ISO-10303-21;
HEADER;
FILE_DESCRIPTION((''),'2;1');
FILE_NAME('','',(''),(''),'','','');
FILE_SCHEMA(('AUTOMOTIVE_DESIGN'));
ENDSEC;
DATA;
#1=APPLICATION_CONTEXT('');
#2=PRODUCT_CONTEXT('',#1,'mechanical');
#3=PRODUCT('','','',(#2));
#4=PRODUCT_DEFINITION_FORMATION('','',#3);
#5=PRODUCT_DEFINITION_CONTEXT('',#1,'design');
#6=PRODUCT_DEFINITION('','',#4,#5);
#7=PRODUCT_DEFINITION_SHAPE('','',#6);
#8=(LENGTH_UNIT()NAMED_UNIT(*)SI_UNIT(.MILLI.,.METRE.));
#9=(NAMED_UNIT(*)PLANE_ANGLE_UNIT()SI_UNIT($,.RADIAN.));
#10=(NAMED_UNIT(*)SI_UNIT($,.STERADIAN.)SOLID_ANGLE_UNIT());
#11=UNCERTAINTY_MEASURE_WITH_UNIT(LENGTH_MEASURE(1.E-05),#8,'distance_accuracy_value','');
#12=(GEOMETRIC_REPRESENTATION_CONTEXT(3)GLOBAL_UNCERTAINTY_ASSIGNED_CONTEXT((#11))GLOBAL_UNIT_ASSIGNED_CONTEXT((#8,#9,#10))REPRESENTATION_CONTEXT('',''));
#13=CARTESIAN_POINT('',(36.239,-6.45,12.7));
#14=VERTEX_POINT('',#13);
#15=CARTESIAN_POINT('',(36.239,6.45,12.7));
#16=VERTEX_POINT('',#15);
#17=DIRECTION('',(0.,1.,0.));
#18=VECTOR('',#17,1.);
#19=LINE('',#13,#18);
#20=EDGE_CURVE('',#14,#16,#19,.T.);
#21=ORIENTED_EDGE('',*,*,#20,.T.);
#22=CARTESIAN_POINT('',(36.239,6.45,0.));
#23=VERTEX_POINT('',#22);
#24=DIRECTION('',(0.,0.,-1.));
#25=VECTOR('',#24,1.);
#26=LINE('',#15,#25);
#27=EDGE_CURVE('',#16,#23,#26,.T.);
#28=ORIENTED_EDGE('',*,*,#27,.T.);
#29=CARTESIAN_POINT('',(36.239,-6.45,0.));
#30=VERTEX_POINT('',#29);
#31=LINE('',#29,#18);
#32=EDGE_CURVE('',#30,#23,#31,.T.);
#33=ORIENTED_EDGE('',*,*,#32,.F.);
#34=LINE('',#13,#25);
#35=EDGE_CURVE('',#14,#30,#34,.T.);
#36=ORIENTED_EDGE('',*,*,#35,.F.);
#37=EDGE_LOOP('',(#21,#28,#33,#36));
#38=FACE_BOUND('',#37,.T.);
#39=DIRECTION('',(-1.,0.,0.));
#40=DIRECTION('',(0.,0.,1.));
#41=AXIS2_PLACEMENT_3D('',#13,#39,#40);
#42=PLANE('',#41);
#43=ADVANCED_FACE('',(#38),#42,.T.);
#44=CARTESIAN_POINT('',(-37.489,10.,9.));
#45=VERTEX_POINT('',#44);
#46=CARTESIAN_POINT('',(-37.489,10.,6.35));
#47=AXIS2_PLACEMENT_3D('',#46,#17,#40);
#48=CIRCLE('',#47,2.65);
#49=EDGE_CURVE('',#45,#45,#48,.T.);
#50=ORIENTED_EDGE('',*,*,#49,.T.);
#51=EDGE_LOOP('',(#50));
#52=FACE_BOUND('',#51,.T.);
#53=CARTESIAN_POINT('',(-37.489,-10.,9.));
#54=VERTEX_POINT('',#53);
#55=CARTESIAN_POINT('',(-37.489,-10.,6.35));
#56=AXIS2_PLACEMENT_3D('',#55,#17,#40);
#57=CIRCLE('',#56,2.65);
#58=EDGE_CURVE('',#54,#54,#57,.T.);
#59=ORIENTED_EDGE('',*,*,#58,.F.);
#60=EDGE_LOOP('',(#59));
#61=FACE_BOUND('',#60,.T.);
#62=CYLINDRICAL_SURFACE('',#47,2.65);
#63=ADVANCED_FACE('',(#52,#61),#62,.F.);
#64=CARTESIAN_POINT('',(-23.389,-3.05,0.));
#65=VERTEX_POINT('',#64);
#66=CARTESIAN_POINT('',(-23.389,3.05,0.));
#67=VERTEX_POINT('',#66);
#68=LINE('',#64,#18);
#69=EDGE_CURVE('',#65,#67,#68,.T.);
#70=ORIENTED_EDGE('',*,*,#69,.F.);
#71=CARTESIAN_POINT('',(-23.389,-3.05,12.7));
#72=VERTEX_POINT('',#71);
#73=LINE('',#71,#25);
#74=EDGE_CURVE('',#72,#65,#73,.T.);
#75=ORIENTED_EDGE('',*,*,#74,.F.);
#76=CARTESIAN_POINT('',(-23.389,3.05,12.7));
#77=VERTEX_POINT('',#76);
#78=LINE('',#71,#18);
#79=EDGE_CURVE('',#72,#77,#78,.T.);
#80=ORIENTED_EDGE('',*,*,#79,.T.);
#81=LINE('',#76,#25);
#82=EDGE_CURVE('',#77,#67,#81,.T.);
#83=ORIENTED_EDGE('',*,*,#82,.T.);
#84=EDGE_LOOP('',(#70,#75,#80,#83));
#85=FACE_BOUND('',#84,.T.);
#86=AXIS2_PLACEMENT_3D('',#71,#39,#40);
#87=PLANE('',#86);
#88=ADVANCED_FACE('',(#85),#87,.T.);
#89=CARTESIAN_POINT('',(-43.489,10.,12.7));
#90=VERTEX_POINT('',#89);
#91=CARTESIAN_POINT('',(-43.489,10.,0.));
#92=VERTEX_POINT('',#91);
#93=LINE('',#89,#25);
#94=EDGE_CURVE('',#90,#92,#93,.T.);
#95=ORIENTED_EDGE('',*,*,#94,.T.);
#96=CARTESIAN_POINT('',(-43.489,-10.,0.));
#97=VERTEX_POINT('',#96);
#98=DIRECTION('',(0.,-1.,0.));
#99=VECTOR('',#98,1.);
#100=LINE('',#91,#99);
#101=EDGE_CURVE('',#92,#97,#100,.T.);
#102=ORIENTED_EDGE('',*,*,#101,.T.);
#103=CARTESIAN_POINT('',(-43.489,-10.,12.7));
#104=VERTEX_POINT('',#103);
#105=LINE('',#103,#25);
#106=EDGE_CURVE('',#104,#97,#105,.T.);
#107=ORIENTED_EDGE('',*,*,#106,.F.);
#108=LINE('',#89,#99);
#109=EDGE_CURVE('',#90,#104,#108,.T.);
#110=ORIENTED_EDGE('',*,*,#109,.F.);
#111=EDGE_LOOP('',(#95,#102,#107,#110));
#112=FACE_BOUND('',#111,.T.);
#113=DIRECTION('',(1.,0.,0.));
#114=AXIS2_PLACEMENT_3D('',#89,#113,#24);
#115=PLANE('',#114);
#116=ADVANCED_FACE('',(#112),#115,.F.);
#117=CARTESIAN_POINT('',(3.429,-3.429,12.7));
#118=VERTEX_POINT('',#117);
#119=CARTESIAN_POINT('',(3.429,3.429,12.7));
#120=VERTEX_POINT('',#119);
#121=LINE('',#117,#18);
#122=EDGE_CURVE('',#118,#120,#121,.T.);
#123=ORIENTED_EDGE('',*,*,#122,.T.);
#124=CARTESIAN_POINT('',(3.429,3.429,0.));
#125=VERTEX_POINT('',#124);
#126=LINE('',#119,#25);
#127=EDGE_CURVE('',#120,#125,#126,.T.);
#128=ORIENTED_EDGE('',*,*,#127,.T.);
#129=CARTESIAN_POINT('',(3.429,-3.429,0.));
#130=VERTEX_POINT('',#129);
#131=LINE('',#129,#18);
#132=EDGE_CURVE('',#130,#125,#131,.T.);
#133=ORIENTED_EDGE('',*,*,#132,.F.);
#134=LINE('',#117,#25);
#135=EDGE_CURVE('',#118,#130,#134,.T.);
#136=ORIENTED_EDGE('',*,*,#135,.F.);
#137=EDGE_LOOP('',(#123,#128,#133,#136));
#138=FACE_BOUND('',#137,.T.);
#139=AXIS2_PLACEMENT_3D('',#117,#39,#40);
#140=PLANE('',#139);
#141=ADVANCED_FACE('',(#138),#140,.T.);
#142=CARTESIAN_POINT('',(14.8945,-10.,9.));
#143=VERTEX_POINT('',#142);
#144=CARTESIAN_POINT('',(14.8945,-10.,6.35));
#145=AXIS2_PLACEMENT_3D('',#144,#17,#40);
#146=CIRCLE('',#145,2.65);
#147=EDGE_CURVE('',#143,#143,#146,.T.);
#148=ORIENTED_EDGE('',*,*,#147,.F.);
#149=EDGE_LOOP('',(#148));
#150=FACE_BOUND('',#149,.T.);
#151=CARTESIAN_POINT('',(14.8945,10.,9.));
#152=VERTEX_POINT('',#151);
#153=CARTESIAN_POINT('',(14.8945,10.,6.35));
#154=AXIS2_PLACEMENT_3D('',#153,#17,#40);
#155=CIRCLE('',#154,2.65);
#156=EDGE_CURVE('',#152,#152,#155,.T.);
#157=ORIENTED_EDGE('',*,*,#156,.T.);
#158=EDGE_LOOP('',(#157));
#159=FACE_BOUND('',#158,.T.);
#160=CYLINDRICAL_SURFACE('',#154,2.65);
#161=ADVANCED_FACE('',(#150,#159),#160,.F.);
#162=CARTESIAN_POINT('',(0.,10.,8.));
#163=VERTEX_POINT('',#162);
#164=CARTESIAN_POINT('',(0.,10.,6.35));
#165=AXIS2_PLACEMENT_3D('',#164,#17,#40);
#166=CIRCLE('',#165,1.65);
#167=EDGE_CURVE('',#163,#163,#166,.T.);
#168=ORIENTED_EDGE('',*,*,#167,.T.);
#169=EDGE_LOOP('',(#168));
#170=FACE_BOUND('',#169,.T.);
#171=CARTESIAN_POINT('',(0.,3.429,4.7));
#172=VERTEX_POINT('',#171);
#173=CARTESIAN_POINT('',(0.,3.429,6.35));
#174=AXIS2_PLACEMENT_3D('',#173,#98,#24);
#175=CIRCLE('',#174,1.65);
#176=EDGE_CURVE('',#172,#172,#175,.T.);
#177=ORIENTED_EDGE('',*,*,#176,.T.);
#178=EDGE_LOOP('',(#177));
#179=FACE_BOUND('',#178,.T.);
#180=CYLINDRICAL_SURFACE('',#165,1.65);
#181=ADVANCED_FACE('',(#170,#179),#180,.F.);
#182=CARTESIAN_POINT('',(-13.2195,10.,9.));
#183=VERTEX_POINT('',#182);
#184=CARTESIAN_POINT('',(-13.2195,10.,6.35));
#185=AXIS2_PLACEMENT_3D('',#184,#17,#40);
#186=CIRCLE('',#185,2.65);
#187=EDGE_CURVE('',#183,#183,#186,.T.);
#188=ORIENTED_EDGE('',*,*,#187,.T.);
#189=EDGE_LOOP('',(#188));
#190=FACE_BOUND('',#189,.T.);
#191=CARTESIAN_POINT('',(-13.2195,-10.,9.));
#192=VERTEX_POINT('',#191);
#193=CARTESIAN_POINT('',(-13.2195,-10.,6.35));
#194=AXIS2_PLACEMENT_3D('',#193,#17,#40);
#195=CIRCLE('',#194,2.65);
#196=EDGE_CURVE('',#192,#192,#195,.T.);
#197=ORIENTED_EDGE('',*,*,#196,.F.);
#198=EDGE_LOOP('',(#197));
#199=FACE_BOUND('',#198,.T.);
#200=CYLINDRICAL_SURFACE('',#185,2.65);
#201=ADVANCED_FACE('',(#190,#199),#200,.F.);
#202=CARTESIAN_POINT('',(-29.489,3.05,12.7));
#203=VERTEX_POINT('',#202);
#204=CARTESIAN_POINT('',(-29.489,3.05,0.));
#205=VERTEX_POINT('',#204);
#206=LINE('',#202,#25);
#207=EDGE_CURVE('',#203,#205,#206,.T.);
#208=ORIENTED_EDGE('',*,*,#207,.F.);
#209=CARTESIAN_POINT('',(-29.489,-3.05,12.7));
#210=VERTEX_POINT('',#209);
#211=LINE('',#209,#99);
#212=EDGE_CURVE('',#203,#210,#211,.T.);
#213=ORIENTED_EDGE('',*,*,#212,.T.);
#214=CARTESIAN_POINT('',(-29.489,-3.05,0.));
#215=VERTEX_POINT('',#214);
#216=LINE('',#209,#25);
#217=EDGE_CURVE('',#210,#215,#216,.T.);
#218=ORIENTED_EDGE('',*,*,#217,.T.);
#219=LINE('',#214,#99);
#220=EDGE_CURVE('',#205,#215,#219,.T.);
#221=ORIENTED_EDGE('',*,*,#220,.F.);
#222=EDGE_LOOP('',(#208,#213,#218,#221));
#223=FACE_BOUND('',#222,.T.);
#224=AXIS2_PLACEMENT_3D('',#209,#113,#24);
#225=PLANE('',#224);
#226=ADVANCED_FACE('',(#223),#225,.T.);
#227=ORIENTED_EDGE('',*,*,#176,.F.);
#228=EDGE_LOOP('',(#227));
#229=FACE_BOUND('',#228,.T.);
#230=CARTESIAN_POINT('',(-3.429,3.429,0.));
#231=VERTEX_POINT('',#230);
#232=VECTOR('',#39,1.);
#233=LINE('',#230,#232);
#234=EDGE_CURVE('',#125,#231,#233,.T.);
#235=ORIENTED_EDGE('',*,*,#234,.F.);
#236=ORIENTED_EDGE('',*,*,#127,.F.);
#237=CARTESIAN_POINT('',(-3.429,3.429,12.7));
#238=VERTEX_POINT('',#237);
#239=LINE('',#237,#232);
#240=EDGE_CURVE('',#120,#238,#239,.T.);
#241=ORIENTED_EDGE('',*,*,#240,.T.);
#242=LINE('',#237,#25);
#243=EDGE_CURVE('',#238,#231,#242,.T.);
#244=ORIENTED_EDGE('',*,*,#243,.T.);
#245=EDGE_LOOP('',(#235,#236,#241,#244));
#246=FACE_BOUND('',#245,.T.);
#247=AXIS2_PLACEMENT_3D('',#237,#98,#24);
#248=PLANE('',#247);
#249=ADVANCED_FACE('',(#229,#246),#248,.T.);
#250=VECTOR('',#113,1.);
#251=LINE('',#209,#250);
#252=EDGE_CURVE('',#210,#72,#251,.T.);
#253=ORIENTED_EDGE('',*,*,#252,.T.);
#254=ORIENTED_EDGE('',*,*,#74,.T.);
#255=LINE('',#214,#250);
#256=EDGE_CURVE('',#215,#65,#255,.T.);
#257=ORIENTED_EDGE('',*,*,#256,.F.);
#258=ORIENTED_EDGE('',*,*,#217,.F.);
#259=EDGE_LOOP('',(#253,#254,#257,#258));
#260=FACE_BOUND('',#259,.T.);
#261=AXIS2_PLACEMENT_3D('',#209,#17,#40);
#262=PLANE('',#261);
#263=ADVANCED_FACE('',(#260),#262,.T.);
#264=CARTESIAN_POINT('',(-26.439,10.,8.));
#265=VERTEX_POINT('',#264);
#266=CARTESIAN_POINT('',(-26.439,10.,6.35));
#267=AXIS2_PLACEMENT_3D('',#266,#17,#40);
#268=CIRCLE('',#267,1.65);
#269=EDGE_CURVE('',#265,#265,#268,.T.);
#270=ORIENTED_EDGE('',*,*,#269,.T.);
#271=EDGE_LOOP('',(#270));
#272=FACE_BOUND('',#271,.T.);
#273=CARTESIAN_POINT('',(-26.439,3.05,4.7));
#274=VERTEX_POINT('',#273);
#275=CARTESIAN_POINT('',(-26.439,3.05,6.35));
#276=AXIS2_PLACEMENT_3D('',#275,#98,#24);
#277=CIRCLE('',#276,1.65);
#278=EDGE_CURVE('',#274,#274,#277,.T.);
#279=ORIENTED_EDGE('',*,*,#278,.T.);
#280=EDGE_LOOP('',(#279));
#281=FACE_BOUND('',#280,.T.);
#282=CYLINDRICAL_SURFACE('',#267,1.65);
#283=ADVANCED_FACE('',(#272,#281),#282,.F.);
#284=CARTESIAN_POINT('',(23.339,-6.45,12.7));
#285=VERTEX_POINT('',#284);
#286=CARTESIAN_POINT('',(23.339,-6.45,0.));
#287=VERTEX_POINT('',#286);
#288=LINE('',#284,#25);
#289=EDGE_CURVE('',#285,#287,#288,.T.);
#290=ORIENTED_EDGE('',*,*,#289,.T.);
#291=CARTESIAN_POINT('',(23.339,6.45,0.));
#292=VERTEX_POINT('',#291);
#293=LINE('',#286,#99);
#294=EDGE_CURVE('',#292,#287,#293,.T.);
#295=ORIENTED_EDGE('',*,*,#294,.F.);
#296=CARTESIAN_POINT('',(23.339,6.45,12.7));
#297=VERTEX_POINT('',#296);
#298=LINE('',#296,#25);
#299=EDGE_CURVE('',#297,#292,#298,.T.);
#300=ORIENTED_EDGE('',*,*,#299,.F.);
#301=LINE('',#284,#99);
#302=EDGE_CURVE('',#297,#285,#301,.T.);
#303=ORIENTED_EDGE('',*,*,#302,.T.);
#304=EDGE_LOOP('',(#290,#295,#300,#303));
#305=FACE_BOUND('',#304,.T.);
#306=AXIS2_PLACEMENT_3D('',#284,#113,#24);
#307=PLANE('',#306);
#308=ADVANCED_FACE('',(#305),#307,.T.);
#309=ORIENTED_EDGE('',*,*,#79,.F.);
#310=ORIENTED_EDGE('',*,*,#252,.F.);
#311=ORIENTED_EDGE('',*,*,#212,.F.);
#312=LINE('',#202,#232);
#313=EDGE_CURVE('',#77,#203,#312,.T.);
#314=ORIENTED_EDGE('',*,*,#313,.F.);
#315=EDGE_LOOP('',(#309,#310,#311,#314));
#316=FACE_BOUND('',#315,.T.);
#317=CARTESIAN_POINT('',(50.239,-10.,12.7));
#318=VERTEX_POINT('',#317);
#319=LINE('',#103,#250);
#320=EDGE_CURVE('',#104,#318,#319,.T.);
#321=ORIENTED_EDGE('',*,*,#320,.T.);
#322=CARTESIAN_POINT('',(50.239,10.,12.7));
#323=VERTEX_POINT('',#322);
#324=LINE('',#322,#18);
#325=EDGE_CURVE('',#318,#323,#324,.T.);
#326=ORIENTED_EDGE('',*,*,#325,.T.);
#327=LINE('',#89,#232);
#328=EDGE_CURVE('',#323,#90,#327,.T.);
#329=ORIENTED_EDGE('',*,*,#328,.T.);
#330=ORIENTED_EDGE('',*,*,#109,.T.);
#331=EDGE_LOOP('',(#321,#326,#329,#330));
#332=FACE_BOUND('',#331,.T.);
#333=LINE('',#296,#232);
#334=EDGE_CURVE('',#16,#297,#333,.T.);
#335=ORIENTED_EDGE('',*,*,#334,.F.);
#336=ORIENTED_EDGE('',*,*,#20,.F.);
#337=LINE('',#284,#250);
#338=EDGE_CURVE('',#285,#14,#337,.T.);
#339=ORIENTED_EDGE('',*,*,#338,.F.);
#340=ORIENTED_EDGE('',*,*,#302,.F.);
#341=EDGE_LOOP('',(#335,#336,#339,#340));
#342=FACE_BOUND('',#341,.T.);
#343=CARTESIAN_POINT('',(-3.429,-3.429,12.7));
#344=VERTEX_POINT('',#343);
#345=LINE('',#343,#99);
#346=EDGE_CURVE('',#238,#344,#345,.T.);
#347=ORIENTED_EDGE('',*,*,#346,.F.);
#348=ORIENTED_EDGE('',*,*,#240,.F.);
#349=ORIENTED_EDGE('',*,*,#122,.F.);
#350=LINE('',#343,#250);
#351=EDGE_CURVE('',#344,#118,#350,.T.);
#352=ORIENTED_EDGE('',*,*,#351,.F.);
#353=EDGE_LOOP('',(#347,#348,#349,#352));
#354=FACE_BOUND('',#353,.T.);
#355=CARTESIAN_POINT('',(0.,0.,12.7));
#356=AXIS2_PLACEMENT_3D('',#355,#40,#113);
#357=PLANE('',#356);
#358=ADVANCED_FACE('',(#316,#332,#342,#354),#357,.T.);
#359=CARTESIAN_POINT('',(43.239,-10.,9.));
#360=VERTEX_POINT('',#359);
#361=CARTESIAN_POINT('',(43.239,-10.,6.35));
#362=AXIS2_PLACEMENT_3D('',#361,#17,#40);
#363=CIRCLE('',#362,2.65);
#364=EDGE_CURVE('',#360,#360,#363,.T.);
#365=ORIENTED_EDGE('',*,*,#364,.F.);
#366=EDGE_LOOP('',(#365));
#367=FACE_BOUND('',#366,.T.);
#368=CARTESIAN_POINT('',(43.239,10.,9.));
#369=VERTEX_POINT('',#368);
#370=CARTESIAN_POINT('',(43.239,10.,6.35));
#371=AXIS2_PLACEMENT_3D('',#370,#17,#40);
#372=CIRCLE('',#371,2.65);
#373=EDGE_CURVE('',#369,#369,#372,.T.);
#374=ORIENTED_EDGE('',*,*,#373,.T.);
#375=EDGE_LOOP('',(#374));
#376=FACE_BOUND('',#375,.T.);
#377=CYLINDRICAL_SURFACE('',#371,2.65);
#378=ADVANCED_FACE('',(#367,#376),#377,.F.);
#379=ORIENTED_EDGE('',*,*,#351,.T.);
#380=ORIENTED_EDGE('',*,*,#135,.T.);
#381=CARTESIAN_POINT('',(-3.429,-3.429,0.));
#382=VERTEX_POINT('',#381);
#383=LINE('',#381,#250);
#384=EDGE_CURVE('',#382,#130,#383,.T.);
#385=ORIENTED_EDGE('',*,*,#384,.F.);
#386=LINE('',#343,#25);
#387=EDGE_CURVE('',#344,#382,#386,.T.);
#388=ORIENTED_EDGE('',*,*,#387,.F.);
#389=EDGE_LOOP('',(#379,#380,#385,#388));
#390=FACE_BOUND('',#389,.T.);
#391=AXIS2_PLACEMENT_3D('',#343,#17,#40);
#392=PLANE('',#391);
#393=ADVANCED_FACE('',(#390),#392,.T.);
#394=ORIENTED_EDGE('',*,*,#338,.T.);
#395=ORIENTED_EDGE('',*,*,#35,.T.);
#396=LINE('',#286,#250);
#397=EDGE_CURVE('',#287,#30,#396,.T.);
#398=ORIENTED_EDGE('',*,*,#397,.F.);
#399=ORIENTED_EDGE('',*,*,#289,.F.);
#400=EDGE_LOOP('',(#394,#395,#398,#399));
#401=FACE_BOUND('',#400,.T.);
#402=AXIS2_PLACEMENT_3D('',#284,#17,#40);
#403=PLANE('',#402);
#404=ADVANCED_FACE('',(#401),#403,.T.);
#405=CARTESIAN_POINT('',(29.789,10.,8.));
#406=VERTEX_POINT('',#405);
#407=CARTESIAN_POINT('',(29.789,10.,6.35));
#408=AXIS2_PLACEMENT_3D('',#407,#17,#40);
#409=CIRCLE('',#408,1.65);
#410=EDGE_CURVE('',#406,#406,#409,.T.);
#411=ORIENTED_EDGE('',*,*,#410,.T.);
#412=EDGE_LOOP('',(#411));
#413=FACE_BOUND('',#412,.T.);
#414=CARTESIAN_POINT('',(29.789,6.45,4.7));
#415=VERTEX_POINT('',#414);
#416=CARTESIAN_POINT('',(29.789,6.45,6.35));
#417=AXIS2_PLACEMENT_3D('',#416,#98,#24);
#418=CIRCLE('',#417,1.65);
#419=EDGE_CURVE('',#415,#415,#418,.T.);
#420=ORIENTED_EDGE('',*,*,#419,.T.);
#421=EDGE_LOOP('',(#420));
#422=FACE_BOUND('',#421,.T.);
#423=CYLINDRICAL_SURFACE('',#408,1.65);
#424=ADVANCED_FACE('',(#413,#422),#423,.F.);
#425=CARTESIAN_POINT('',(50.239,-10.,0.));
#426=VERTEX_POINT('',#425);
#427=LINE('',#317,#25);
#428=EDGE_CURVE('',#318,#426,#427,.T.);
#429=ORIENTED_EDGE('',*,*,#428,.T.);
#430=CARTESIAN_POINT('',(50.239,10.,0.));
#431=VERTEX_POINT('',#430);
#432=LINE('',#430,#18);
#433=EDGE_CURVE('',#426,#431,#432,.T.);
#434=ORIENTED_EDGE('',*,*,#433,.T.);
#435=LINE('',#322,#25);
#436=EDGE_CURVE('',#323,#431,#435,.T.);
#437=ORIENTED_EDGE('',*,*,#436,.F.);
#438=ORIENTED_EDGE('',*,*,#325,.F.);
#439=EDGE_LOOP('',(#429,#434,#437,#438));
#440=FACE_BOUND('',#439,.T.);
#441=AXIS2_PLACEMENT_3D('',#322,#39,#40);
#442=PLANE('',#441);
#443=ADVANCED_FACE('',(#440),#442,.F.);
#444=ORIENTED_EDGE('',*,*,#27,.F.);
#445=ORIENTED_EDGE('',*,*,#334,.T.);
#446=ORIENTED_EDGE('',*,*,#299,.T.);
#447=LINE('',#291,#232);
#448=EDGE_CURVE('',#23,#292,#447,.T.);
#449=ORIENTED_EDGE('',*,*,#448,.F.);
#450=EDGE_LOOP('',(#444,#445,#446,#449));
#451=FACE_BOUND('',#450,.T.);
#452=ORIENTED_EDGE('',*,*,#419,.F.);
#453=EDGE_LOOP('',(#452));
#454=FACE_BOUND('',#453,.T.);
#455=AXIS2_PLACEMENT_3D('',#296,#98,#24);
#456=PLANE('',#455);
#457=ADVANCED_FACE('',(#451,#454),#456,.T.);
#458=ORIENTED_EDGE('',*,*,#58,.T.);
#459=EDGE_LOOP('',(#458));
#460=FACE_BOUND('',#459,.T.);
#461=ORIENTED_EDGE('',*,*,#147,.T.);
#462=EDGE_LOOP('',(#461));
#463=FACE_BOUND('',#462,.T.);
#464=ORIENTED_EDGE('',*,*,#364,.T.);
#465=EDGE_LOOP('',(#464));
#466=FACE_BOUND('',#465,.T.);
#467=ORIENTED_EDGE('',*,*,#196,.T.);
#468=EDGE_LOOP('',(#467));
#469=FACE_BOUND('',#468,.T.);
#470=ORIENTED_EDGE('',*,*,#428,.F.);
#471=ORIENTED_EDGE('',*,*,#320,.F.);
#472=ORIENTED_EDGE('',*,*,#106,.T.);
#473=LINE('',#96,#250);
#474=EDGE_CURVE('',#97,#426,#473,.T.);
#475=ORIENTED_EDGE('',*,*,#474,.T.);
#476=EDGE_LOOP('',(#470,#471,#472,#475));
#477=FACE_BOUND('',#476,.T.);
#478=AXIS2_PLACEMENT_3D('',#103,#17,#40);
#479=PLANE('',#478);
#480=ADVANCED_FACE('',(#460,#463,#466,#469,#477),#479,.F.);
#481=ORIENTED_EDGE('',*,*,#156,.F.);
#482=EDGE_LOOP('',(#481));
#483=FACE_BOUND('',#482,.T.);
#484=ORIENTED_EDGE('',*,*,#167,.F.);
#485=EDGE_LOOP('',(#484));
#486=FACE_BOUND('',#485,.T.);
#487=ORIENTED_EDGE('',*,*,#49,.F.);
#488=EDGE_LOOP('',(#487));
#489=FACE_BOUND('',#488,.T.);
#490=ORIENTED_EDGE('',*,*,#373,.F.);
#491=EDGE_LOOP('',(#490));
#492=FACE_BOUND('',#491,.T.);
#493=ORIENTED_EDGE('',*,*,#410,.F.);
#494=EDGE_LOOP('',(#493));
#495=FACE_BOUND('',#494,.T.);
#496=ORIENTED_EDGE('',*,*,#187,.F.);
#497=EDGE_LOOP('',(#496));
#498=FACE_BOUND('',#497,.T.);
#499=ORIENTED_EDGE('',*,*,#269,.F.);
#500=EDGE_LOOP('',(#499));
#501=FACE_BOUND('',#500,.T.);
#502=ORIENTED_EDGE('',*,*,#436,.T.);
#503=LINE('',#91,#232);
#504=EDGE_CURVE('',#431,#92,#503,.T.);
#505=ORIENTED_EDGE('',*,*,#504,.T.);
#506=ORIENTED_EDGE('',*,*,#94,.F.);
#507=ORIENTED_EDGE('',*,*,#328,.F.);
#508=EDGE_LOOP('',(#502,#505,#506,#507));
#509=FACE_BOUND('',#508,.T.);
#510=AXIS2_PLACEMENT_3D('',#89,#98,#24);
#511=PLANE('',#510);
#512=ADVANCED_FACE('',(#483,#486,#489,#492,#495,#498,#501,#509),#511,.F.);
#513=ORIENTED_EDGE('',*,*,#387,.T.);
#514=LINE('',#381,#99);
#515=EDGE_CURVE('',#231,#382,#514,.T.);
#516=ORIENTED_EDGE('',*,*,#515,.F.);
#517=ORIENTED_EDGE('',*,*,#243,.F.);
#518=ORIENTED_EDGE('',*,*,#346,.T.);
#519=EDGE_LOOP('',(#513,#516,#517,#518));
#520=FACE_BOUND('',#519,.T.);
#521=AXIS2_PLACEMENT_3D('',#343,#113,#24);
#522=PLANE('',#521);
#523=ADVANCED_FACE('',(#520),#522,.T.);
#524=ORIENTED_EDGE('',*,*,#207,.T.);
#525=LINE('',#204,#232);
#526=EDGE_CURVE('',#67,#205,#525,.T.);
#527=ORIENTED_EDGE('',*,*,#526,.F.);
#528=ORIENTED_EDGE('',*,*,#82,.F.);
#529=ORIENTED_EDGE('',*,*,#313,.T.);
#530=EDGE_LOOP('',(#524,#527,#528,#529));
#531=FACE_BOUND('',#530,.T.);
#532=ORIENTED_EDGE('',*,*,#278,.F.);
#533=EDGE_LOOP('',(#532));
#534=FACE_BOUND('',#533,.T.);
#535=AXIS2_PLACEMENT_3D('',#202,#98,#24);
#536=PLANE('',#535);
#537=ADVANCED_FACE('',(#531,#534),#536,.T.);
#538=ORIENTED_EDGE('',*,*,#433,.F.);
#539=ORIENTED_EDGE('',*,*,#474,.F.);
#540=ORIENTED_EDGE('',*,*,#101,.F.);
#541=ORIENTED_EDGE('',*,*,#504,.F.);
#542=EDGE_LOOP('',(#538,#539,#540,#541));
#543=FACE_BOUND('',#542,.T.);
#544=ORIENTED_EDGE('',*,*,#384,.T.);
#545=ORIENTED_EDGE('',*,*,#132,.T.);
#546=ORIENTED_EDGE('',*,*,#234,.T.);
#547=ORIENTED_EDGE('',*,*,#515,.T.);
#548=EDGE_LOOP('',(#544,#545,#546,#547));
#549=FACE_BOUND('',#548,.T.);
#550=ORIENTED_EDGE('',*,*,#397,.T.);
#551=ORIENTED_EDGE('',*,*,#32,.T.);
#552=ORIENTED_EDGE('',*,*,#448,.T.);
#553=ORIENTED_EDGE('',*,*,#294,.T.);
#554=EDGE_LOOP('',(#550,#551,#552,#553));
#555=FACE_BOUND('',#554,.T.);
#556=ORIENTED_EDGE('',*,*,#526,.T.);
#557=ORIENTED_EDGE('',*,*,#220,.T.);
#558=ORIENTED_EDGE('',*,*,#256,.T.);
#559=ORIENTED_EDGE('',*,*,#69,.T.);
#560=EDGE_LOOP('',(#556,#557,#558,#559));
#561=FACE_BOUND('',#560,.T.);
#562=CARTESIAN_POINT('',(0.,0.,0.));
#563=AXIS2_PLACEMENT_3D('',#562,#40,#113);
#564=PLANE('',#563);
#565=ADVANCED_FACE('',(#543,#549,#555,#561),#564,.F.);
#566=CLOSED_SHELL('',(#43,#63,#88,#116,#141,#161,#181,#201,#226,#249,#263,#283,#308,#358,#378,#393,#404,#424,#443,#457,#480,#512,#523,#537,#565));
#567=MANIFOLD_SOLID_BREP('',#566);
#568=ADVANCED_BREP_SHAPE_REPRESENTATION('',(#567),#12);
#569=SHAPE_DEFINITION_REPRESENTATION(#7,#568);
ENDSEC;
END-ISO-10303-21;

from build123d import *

# Parameters (mm, degrees)
SKETCH1_W                       = 93.728
SKETCH1_H                       = 20
SKETCH1_W_2                     = 6.1
SKETCH1_H_2                     = 6.1
SKETCH1_W_3                     = 6.858
SKETCH1_H_3                     = 6.858
SKETCH1_W_4                     = 12.9
SKETCH1_H_4                     = 12.9
BOSS_EXTRUDE1_DEPTH             = 12.7
TAP_DRILL_FOR_M4X0_7_TAP1_D     = 3.3
TAP_DRILL_FOR_M4X0_7_TAP1_DEPTH = 6.95
M5_CLEARANCE_HOLE1_D            = 5.3


with BuildPart() as part:
    # Sketch1 → Boss-Extrude1 (new body)
    with BuildSketch(Plane.XY):
        with Locations((3.375, 0)):
            Rectangle(SKETCH1_W, SKETCH1_H)
        with Locations((-26.439, 0)):
            Rectangle(SKETCH1_W_2, SKETCH1_H_2, mode=Mode.SUBTRACT)
        Rectangle(SKETCH1_W_3, SKETCH1_H_3, mode=Mode.SUBTRACT)
        with Locations((29.789, 0)):
            Rectangle(SKETCH1_W_4, SKETCH1_H_4, mode=Mode.SUBTRACT)
    extrude(amount=BOSS_EXTRUDE1_DEPTH)

    # Tap Drill for M4x0.7 Tap1
    with Locations(Plane(origin=(-26.439, 10, 6.35), x_dir=(0, 0, 1), z_dir=(0, 1, 0))):
        with Locations((0, 0), (0, 26.439), (0, 56.228)):
            Hole(TAP_DRILL_FOR_M4X0_7_TAP1_D / 2, depth=TAP_DRILL_FOR_M4X0_7_TAP1_DEPTH)

    # M5 Clearance Hole1 (through all)
    with Locations(Plane(origin=(-37.489, 10, 6.35), x_dir=(0, 0, 1), z_dir=(0, 1, 0))):
        with Locations((0, 0), (0, 24.2695), (0, 52.3835), (0, 80.728)):
            Hole(M5_CLEARANCE_HOLE1_D / 2)


solid = part.part
